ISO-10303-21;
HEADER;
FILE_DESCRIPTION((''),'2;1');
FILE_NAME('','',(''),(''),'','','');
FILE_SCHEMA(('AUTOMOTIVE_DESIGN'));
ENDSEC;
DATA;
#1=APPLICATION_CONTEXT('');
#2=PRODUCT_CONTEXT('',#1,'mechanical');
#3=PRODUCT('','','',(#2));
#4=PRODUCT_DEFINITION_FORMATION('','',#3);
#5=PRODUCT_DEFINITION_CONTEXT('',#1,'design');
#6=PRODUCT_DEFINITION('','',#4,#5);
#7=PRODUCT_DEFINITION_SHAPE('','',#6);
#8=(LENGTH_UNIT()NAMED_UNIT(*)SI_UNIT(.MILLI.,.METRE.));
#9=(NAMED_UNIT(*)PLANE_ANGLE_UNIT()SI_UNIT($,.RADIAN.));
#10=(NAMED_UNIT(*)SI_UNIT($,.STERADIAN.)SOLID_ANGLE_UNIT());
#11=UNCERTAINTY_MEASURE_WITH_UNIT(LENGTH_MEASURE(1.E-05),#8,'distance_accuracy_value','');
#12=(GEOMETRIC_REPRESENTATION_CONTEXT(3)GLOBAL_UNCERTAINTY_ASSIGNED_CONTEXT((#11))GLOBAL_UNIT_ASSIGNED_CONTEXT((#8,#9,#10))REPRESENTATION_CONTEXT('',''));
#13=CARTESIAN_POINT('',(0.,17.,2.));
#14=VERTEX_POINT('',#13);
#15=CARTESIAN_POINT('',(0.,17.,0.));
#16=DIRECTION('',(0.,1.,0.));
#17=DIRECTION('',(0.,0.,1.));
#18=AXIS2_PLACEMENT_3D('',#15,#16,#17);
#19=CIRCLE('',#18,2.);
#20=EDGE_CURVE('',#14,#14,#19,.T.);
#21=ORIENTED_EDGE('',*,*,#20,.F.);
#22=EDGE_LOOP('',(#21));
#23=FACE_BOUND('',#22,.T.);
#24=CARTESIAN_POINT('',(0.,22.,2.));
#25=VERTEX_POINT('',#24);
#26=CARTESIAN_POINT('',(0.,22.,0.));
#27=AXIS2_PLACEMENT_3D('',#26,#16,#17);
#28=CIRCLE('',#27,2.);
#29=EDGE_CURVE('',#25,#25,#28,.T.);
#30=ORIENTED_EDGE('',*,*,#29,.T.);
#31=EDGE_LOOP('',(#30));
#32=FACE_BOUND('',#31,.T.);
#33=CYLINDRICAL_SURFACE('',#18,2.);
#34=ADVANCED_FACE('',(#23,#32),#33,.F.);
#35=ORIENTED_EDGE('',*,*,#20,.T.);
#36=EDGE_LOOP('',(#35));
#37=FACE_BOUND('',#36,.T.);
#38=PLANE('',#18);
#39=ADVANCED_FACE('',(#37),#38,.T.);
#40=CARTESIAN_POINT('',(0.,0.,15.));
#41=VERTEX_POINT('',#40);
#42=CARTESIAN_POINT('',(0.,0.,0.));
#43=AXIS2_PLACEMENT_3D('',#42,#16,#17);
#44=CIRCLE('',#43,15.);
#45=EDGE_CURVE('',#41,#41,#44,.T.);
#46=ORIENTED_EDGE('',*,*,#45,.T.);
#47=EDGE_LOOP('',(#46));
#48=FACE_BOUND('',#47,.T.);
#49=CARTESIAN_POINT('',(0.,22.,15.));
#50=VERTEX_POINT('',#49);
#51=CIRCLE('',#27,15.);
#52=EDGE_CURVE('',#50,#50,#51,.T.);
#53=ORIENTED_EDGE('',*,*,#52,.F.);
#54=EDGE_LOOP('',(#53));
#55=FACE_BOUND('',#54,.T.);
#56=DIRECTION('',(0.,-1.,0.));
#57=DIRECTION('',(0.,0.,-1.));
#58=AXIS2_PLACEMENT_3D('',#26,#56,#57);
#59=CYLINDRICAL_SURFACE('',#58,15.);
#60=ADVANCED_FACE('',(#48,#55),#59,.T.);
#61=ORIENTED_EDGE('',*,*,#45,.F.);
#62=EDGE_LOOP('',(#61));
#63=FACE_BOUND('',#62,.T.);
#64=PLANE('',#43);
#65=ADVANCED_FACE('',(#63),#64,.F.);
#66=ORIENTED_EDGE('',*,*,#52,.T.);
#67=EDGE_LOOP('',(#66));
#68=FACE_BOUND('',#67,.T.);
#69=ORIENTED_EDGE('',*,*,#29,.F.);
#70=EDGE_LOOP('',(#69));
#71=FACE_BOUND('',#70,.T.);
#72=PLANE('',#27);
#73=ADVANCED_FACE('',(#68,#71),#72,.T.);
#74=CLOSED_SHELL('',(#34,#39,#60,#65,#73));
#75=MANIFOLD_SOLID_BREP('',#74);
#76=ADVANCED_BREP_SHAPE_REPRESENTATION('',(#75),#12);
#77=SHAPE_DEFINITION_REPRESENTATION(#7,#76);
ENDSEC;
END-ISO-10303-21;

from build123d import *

# Parameters (mm, degrees)
SKETCH1_R           = 15
BOSS_EXTRUDE1_DEPTH = 22
SKETCH2_R           = 2
CUT_EXTRUDE1_DEPTH  = 5


with BuildPart() as part:
    # Sketch1 → Boss-Extrude1 (new body)
    with BuildSketch(Plane(origin=(0, 0, 0), x_dir=(1, 0, 0), z_dir=(0, 1, 0))):
        with Locations(Location((0, 0, 0), (0, 0, 270))):
            Circle(SKETCH1_R)
    extrude(amount=BOSS_EXTRUDE1_DEPTH)

    # Sketch2 → Cut-Extrude1 (cut)
    with BuildSketch(Plane(origin=(0, 22, 0), x_dir=(1, 0, 0), z_dir=(0, 1, 0))):
        with Locations(Location((0, 0, 0), (0, 0, 270))):
            Circle(SKETCH2_R)
    extrude(amount=-CUT_EXTRUDE1_DEPTH, mode=Mode.SUBTRACT)


solid = part.part
